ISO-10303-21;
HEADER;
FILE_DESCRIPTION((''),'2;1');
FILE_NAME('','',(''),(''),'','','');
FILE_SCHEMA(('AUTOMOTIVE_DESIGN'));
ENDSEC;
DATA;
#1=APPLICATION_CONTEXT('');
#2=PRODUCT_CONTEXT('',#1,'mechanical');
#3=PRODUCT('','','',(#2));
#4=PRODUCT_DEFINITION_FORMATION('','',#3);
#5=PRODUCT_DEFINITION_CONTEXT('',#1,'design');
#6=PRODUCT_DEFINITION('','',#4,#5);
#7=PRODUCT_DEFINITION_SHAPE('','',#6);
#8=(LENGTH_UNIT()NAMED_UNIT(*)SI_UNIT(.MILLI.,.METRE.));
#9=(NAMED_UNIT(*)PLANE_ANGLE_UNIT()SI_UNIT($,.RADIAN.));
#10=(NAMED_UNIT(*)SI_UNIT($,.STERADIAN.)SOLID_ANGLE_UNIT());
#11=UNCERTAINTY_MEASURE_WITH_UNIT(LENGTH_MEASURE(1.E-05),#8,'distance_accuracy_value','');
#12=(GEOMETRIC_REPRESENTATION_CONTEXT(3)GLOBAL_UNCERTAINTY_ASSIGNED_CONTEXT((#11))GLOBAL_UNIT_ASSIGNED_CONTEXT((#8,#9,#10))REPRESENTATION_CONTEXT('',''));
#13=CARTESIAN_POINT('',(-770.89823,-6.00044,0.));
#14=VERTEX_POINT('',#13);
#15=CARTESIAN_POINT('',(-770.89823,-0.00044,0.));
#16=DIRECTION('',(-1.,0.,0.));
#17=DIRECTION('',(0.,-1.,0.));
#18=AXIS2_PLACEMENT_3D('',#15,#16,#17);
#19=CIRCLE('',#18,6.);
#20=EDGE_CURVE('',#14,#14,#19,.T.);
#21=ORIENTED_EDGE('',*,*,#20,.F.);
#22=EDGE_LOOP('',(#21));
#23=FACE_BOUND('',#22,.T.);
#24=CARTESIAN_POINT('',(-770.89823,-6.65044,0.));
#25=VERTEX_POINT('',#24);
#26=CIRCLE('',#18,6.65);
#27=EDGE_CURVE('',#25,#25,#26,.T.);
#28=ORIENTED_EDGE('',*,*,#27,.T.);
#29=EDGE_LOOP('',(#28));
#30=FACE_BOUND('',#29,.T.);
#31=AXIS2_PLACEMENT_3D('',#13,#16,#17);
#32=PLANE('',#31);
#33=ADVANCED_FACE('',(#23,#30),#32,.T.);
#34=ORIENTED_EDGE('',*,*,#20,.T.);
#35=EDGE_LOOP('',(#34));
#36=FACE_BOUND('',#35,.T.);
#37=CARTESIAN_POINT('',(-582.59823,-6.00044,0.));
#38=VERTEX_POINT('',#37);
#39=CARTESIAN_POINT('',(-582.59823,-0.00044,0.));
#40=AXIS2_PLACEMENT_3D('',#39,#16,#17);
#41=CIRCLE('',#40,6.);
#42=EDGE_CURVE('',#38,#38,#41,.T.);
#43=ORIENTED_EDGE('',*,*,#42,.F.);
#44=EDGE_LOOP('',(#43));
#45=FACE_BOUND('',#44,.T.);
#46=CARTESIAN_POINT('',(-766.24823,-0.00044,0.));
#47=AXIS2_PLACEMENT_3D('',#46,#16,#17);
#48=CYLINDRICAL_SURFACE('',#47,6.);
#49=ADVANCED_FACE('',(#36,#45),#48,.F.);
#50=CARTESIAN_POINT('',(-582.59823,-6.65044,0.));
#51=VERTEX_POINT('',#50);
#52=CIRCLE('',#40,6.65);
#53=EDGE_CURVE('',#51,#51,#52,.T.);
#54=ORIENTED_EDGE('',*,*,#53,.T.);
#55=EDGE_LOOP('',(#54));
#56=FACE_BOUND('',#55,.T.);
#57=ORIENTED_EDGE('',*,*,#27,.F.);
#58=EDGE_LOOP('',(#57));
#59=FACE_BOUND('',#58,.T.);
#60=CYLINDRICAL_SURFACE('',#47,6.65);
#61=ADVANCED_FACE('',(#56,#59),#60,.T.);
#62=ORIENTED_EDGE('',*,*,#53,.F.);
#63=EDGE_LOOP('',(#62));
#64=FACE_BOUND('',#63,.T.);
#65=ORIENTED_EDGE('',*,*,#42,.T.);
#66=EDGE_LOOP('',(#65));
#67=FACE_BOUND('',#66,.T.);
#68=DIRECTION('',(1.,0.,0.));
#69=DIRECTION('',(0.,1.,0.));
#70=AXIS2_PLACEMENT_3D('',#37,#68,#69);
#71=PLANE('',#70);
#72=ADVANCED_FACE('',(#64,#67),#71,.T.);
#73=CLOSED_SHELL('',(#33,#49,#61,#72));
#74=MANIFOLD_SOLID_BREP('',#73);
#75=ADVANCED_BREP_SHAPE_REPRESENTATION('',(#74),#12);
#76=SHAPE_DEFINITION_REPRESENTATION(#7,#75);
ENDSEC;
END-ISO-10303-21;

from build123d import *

# Parameters (mm, degrees)
SKETCH1_W = 188.3
SKETCH1_H = 0.65


with BuildPart() as part:
    # Sketch1 → Revolve1 (revolve)
    with BuildSketch(Plane.XY):
        with Locations((-676.748230203, -6.325440289)):
            Rectangle(SKETCH1_W, SKETCH1_H)
    revolve(axis=Axis((-766.248230203, -0.000440289, 0), (1, 0, 0)))


solid = part.part
